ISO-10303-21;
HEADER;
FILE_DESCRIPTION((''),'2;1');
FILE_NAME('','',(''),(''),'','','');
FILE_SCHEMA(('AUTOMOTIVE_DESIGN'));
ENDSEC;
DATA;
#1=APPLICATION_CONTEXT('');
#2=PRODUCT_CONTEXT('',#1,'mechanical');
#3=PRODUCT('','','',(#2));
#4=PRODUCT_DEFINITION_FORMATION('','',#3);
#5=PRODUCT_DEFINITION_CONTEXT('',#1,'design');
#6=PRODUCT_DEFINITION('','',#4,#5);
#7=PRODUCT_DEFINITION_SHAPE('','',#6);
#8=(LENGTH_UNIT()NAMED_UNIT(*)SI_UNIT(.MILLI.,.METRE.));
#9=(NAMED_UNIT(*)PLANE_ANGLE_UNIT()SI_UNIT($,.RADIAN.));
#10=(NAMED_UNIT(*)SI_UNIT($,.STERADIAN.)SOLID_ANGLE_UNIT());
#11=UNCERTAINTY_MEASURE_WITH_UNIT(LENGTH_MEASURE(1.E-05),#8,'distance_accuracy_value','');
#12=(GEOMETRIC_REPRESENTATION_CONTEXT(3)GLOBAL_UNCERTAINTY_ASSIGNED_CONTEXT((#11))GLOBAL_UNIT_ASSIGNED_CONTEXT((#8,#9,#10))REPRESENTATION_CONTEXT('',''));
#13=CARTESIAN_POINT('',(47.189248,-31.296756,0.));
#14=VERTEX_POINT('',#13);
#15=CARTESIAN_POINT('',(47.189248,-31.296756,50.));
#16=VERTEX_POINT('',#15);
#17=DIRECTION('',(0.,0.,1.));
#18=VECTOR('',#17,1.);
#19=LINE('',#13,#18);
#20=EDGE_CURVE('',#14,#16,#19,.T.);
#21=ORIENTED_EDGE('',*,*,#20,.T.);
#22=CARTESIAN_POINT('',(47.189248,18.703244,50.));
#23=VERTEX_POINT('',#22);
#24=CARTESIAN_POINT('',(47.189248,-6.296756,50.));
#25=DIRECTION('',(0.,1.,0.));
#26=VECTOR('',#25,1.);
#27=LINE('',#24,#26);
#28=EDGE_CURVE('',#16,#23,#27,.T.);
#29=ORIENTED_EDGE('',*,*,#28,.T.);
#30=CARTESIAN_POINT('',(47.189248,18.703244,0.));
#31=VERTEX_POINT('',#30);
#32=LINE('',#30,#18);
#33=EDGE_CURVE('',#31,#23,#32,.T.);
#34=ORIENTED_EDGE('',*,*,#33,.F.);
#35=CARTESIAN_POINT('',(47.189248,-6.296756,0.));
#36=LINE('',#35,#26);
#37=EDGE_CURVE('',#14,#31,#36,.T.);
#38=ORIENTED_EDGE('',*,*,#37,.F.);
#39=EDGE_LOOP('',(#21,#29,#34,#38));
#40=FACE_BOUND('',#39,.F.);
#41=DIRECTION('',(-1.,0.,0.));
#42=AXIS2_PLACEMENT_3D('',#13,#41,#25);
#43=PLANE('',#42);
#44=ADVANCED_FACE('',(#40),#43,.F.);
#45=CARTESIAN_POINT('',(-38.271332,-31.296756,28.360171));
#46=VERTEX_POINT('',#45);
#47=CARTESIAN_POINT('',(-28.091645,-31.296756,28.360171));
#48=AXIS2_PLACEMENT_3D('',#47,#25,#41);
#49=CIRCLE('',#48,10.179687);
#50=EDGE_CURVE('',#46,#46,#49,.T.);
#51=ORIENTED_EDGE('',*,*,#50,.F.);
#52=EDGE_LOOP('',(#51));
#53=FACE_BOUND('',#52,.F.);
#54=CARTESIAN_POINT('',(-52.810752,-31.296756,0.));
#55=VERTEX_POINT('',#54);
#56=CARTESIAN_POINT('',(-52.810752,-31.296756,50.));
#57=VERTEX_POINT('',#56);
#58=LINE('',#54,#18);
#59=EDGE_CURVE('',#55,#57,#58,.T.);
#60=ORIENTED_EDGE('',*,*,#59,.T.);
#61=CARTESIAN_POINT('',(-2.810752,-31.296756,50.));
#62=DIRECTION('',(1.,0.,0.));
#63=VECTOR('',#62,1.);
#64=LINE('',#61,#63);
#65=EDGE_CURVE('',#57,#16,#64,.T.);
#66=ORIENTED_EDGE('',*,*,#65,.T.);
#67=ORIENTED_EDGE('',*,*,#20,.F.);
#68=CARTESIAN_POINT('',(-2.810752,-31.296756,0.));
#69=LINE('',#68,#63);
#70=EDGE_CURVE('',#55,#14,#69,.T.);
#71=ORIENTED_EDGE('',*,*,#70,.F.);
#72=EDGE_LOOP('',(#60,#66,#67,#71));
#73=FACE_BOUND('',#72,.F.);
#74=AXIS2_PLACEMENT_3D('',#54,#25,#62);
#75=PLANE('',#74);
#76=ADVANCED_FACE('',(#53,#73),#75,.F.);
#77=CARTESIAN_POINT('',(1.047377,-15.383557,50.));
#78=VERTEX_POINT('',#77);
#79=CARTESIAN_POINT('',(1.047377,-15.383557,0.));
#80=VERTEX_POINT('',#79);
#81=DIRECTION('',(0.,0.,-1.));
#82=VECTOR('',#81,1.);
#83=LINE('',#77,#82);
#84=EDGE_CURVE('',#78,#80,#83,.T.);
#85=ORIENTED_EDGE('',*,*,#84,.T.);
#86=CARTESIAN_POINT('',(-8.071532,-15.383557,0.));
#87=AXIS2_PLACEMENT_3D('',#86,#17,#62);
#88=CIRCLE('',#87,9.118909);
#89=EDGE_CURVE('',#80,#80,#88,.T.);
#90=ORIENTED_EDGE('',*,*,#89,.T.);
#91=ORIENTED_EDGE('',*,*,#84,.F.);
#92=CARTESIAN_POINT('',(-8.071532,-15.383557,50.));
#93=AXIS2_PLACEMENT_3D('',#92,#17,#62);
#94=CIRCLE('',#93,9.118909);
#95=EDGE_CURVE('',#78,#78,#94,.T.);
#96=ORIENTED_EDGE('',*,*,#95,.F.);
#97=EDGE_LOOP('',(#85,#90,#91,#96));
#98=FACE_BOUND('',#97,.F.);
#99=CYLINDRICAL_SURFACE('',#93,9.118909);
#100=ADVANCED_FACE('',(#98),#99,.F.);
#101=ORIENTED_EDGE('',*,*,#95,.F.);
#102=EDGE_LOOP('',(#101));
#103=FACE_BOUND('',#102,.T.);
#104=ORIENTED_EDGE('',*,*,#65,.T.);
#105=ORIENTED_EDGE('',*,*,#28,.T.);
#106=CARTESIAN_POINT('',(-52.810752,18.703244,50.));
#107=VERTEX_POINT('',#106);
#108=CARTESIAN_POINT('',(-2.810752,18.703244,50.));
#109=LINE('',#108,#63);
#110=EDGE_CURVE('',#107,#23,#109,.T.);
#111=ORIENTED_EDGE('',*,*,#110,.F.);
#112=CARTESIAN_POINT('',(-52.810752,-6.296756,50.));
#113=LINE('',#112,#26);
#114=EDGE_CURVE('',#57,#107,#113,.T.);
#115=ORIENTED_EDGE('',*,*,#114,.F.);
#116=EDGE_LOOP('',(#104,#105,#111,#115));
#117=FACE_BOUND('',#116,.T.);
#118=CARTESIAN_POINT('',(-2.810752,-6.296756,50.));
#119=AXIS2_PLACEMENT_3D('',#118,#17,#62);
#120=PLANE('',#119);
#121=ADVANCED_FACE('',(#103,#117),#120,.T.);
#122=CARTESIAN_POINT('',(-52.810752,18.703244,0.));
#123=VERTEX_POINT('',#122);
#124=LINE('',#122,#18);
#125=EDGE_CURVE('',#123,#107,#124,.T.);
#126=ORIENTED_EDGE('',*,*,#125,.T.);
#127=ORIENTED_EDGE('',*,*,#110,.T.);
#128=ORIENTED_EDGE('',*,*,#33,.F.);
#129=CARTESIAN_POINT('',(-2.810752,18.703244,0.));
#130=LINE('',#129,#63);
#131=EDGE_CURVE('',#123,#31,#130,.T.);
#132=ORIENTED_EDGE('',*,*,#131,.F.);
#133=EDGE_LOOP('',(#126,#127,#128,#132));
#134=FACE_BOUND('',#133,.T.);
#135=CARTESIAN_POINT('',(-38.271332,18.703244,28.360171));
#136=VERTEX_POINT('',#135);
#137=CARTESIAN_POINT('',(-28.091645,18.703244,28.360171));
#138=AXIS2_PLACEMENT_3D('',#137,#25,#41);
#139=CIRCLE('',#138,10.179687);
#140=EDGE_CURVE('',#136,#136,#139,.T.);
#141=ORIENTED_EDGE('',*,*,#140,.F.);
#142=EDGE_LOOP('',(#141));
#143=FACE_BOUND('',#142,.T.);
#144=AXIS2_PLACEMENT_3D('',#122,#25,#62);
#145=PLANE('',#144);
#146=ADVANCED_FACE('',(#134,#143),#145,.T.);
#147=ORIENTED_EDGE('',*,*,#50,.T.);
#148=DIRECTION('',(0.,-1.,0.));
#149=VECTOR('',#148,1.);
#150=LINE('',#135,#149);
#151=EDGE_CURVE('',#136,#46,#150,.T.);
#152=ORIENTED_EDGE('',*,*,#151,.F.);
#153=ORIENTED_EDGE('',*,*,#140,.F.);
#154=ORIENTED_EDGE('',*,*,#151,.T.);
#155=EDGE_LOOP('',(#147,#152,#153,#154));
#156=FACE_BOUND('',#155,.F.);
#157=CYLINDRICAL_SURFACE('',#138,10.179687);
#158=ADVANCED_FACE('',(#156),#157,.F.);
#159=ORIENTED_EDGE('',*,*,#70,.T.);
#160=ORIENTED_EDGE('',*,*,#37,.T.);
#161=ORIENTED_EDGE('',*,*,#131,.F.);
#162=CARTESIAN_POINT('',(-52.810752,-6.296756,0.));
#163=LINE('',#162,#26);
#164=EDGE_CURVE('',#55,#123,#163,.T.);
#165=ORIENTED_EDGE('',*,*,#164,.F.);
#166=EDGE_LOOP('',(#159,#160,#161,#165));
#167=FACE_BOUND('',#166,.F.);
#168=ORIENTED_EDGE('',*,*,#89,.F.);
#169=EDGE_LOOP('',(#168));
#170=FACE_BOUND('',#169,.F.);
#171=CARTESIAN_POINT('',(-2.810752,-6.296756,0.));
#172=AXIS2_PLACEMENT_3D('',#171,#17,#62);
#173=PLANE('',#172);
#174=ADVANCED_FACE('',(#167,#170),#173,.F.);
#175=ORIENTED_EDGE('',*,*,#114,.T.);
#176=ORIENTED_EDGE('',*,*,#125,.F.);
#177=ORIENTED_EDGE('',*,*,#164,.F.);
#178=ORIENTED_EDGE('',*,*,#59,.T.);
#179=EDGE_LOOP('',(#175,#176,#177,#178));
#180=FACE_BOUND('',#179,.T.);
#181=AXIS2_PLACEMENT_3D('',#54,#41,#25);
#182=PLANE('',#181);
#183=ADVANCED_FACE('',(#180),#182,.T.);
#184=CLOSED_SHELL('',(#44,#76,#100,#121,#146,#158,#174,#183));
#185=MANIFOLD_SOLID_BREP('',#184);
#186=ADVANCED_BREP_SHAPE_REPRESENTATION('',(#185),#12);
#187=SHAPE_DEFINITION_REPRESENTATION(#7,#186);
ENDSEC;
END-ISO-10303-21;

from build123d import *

# Parameters (mm, degrees)
F0_W     = 100
F0_H     = 50
F1_DEPTH = 50
F2_R     = 9.118909
F3_DEPTH = 50
F4_R     = 10.179687
F5_DEPTH = 50


with BuildPart() as f1:
    # F0 (on Top) → F1 (new body)
    with BuildSketch(Plane.XY):
        with Locations((-2.810752, -6.296756)):
            Rectangle(F0_W, F0_H)
    extrude(amount=F1_DEPTH)

    # F2 (on face) → F3 (cut, through all)
    with BuildSketch(Plane.XY.offset(50)):
        with Locations((-8.071532, -15.383557)):
            Circle(F2_R)
    extrude(amount=-F3_DEPTH, mode=Mode.SUBTRACT)

    # F4 (on face) → F5 (cut, through all)
    with BuildSketch(Plane(origin=(0, 18.703244, 0), x_dir=(-1, 0, 0), z_dir=(0, 1, 0))):
        with Locations((28.091645, 28.360171)):
            Circle(F4_R)
    extrude(amount=-F5_DEPTH, mode=Mode.SUBTRACT)


solid = f1.part
